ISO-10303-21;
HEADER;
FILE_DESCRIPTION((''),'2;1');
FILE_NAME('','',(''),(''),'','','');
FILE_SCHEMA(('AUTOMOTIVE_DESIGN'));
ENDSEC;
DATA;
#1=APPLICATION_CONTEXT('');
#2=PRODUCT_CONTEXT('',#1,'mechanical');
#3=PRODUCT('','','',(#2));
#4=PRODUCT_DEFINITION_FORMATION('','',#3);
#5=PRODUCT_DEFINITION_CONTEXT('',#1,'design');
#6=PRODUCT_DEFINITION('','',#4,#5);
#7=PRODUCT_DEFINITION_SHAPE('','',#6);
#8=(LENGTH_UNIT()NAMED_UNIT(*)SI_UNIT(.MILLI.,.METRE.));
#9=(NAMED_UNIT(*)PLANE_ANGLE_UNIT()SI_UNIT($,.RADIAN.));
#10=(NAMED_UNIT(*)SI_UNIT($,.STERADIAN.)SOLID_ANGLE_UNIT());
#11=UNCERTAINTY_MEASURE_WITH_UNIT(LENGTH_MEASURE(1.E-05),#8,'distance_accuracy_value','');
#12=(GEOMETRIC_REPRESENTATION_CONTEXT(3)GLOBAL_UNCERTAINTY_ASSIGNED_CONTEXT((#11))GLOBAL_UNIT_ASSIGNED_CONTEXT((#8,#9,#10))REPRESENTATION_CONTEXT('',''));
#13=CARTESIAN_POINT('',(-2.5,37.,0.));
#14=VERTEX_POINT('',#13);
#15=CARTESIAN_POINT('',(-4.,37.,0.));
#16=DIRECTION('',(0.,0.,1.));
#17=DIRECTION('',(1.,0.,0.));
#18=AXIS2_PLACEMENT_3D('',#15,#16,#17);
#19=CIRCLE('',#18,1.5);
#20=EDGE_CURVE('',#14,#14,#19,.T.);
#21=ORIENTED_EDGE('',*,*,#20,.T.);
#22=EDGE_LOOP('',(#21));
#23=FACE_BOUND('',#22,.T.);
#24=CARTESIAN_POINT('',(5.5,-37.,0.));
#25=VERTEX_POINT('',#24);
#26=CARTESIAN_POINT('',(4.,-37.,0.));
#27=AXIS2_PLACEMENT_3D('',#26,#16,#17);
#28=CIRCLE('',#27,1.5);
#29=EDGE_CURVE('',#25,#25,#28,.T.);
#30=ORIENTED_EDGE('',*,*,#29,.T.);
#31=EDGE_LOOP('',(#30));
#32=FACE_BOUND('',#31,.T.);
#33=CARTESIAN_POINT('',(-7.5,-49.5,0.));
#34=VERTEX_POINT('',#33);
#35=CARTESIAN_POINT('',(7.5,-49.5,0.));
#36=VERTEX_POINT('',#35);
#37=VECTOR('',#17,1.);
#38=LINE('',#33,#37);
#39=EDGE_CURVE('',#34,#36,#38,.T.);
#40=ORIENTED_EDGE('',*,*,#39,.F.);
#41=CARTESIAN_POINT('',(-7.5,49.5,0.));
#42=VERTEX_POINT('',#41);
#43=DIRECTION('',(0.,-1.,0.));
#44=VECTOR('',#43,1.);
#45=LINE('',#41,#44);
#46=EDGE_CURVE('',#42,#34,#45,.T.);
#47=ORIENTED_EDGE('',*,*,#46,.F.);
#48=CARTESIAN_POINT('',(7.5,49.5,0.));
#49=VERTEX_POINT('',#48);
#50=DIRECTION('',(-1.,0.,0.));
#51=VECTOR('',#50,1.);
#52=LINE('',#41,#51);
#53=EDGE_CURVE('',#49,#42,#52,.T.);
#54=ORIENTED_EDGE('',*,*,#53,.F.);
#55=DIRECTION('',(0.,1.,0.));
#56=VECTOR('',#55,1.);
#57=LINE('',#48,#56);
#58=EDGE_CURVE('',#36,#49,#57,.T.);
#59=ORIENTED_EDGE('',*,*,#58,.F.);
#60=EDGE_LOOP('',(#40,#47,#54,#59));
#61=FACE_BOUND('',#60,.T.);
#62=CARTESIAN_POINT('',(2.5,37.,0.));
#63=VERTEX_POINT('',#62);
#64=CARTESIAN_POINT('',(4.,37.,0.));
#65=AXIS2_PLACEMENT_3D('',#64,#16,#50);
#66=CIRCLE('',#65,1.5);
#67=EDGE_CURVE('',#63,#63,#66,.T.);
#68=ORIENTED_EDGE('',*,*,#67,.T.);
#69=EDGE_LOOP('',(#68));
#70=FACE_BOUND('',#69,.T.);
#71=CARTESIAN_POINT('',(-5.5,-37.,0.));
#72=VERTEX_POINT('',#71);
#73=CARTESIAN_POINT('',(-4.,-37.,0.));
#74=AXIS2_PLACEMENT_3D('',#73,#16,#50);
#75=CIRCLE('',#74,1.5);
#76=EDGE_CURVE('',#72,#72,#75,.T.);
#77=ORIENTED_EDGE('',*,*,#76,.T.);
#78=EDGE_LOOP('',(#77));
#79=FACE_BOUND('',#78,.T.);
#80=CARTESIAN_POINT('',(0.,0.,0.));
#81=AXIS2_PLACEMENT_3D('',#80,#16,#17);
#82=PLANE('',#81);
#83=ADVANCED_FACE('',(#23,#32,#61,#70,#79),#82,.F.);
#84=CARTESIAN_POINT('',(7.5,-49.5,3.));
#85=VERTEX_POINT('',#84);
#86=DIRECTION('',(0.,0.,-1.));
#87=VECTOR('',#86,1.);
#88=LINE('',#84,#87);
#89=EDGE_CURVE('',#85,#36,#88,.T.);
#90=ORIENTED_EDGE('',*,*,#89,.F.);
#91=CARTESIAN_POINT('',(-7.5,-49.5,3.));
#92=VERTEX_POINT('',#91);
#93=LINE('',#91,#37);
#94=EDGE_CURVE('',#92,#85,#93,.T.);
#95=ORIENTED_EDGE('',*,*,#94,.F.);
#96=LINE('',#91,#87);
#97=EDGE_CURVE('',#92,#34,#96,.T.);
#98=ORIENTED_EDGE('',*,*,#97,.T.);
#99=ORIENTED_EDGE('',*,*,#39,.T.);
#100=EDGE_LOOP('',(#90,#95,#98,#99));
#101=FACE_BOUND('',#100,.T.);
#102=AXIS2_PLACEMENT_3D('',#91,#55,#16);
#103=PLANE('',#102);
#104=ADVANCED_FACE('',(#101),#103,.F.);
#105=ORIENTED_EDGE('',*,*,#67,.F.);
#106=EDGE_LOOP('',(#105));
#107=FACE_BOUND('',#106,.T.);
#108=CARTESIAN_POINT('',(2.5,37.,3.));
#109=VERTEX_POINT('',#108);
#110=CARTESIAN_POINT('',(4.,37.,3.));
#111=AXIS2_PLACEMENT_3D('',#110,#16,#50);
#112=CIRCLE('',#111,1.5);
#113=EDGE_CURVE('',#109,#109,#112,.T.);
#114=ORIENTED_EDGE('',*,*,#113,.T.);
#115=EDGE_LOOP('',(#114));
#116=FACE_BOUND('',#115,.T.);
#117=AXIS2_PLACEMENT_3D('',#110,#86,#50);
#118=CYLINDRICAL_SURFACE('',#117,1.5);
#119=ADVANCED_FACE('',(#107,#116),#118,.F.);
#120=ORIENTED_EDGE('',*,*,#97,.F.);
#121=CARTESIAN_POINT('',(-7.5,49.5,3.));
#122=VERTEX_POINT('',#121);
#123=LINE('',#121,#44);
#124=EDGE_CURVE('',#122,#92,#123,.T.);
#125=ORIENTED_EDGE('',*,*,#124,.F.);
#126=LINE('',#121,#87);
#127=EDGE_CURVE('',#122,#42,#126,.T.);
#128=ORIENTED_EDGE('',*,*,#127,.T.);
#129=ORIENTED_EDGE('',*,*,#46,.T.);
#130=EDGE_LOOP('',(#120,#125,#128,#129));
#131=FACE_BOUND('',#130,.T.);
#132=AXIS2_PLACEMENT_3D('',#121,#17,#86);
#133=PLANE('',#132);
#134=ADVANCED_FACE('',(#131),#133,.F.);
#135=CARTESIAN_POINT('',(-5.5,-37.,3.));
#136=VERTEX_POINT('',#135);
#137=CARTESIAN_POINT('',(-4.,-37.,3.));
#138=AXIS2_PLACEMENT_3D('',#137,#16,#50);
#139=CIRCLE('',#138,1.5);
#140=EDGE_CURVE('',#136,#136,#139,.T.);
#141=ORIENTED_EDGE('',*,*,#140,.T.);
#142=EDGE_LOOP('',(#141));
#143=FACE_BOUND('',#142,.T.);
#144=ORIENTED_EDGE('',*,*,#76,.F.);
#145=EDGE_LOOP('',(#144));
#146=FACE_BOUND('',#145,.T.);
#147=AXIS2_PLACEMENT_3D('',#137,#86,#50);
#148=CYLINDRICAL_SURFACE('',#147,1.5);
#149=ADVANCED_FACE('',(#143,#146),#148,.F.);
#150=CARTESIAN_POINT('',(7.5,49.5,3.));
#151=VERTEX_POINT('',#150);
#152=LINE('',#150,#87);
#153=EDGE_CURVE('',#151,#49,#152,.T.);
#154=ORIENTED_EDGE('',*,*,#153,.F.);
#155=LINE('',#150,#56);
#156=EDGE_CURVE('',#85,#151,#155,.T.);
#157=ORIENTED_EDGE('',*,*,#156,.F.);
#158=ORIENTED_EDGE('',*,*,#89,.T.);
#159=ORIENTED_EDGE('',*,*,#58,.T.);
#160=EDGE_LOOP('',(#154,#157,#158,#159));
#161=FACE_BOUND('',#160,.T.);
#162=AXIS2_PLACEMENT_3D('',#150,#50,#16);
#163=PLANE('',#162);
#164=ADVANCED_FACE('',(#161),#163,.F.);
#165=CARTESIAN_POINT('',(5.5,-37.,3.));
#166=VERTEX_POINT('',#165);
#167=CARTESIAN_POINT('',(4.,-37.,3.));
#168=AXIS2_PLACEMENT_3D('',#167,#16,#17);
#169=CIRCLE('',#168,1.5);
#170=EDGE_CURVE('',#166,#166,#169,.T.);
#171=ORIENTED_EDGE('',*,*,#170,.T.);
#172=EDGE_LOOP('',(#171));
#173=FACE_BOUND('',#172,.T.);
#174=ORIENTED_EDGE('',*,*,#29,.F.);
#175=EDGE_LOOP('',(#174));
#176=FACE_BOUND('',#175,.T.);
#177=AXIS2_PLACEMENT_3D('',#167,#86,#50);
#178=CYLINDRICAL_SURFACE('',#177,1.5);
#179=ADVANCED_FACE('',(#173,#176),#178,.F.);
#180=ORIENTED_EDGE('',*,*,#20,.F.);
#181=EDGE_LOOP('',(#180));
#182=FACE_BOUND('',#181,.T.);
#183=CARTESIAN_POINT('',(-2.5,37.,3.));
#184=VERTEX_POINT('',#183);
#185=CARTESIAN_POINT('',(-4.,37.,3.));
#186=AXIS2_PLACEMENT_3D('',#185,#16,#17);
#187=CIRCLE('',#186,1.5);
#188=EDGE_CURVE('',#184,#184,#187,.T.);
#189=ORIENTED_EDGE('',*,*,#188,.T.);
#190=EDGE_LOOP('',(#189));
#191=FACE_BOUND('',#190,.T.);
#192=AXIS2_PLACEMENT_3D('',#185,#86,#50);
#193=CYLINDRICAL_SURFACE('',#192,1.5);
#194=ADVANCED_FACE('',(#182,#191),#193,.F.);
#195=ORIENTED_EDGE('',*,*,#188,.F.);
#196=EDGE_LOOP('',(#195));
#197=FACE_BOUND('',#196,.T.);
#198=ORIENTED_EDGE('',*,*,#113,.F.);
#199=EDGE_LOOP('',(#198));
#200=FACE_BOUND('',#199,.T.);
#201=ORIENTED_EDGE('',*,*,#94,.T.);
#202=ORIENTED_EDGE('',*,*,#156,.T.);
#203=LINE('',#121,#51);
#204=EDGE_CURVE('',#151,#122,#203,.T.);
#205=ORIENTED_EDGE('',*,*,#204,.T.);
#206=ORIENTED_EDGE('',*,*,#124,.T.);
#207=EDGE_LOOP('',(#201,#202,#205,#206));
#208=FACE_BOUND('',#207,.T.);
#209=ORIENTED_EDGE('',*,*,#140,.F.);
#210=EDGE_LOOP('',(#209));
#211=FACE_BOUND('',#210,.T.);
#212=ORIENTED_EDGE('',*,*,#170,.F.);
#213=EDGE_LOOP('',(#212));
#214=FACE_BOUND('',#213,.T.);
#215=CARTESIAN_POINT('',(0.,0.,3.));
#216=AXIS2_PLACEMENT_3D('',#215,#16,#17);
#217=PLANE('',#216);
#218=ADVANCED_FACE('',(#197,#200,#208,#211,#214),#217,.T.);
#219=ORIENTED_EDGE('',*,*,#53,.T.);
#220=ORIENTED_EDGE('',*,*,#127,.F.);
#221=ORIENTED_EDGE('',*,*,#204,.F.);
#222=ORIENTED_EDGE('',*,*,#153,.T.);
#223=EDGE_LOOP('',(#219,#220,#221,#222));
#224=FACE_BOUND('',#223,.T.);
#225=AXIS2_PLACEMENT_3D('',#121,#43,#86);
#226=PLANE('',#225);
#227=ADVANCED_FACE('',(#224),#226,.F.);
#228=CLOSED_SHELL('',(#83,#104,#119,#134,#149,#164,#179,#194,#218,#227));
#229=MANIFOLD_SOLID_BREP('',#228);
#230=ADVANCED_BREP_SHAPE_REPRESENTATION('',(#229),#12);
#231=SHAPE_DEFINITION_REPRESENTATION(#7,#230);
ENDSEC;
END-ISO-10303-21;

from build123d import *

# Parameters (mm, degrees)
SKETCH_1_W      = 15
SKETCH_1_H      = 99
SKETCH_1_R      = 1.5
EXTRUDE_1_DEPTH = 3


with BuildPart() as part:
    # 草图1 → 凸台-拉伸1 (new body)
    with BuildSketch(Plane.XY):
        Rectangle(SKETCH_1_W, SKETCH_1_H)
        with Locations((-4, 37)):
            Circle(SKETCH_1_R, mode=Mode.SUBTRACT)
        with Locations(Location((4, 37, 0), (0, 0, 180))):
            Circle(SKETCH_1_R, mode=Mode.SUBTRACT)
        with Locations((4, -37)):
            Circle(SKETCH_1_R, mode=Mode.SUBTRACT)
        with Locations(Location((-4, -37, 0), (0, 0, 180))):
            Circle(SKETCH_1_R, mode=Mode.SUBTRACT)
    extrude(amount=EXTRUDE_1_DEPTH)


solid = part.part
